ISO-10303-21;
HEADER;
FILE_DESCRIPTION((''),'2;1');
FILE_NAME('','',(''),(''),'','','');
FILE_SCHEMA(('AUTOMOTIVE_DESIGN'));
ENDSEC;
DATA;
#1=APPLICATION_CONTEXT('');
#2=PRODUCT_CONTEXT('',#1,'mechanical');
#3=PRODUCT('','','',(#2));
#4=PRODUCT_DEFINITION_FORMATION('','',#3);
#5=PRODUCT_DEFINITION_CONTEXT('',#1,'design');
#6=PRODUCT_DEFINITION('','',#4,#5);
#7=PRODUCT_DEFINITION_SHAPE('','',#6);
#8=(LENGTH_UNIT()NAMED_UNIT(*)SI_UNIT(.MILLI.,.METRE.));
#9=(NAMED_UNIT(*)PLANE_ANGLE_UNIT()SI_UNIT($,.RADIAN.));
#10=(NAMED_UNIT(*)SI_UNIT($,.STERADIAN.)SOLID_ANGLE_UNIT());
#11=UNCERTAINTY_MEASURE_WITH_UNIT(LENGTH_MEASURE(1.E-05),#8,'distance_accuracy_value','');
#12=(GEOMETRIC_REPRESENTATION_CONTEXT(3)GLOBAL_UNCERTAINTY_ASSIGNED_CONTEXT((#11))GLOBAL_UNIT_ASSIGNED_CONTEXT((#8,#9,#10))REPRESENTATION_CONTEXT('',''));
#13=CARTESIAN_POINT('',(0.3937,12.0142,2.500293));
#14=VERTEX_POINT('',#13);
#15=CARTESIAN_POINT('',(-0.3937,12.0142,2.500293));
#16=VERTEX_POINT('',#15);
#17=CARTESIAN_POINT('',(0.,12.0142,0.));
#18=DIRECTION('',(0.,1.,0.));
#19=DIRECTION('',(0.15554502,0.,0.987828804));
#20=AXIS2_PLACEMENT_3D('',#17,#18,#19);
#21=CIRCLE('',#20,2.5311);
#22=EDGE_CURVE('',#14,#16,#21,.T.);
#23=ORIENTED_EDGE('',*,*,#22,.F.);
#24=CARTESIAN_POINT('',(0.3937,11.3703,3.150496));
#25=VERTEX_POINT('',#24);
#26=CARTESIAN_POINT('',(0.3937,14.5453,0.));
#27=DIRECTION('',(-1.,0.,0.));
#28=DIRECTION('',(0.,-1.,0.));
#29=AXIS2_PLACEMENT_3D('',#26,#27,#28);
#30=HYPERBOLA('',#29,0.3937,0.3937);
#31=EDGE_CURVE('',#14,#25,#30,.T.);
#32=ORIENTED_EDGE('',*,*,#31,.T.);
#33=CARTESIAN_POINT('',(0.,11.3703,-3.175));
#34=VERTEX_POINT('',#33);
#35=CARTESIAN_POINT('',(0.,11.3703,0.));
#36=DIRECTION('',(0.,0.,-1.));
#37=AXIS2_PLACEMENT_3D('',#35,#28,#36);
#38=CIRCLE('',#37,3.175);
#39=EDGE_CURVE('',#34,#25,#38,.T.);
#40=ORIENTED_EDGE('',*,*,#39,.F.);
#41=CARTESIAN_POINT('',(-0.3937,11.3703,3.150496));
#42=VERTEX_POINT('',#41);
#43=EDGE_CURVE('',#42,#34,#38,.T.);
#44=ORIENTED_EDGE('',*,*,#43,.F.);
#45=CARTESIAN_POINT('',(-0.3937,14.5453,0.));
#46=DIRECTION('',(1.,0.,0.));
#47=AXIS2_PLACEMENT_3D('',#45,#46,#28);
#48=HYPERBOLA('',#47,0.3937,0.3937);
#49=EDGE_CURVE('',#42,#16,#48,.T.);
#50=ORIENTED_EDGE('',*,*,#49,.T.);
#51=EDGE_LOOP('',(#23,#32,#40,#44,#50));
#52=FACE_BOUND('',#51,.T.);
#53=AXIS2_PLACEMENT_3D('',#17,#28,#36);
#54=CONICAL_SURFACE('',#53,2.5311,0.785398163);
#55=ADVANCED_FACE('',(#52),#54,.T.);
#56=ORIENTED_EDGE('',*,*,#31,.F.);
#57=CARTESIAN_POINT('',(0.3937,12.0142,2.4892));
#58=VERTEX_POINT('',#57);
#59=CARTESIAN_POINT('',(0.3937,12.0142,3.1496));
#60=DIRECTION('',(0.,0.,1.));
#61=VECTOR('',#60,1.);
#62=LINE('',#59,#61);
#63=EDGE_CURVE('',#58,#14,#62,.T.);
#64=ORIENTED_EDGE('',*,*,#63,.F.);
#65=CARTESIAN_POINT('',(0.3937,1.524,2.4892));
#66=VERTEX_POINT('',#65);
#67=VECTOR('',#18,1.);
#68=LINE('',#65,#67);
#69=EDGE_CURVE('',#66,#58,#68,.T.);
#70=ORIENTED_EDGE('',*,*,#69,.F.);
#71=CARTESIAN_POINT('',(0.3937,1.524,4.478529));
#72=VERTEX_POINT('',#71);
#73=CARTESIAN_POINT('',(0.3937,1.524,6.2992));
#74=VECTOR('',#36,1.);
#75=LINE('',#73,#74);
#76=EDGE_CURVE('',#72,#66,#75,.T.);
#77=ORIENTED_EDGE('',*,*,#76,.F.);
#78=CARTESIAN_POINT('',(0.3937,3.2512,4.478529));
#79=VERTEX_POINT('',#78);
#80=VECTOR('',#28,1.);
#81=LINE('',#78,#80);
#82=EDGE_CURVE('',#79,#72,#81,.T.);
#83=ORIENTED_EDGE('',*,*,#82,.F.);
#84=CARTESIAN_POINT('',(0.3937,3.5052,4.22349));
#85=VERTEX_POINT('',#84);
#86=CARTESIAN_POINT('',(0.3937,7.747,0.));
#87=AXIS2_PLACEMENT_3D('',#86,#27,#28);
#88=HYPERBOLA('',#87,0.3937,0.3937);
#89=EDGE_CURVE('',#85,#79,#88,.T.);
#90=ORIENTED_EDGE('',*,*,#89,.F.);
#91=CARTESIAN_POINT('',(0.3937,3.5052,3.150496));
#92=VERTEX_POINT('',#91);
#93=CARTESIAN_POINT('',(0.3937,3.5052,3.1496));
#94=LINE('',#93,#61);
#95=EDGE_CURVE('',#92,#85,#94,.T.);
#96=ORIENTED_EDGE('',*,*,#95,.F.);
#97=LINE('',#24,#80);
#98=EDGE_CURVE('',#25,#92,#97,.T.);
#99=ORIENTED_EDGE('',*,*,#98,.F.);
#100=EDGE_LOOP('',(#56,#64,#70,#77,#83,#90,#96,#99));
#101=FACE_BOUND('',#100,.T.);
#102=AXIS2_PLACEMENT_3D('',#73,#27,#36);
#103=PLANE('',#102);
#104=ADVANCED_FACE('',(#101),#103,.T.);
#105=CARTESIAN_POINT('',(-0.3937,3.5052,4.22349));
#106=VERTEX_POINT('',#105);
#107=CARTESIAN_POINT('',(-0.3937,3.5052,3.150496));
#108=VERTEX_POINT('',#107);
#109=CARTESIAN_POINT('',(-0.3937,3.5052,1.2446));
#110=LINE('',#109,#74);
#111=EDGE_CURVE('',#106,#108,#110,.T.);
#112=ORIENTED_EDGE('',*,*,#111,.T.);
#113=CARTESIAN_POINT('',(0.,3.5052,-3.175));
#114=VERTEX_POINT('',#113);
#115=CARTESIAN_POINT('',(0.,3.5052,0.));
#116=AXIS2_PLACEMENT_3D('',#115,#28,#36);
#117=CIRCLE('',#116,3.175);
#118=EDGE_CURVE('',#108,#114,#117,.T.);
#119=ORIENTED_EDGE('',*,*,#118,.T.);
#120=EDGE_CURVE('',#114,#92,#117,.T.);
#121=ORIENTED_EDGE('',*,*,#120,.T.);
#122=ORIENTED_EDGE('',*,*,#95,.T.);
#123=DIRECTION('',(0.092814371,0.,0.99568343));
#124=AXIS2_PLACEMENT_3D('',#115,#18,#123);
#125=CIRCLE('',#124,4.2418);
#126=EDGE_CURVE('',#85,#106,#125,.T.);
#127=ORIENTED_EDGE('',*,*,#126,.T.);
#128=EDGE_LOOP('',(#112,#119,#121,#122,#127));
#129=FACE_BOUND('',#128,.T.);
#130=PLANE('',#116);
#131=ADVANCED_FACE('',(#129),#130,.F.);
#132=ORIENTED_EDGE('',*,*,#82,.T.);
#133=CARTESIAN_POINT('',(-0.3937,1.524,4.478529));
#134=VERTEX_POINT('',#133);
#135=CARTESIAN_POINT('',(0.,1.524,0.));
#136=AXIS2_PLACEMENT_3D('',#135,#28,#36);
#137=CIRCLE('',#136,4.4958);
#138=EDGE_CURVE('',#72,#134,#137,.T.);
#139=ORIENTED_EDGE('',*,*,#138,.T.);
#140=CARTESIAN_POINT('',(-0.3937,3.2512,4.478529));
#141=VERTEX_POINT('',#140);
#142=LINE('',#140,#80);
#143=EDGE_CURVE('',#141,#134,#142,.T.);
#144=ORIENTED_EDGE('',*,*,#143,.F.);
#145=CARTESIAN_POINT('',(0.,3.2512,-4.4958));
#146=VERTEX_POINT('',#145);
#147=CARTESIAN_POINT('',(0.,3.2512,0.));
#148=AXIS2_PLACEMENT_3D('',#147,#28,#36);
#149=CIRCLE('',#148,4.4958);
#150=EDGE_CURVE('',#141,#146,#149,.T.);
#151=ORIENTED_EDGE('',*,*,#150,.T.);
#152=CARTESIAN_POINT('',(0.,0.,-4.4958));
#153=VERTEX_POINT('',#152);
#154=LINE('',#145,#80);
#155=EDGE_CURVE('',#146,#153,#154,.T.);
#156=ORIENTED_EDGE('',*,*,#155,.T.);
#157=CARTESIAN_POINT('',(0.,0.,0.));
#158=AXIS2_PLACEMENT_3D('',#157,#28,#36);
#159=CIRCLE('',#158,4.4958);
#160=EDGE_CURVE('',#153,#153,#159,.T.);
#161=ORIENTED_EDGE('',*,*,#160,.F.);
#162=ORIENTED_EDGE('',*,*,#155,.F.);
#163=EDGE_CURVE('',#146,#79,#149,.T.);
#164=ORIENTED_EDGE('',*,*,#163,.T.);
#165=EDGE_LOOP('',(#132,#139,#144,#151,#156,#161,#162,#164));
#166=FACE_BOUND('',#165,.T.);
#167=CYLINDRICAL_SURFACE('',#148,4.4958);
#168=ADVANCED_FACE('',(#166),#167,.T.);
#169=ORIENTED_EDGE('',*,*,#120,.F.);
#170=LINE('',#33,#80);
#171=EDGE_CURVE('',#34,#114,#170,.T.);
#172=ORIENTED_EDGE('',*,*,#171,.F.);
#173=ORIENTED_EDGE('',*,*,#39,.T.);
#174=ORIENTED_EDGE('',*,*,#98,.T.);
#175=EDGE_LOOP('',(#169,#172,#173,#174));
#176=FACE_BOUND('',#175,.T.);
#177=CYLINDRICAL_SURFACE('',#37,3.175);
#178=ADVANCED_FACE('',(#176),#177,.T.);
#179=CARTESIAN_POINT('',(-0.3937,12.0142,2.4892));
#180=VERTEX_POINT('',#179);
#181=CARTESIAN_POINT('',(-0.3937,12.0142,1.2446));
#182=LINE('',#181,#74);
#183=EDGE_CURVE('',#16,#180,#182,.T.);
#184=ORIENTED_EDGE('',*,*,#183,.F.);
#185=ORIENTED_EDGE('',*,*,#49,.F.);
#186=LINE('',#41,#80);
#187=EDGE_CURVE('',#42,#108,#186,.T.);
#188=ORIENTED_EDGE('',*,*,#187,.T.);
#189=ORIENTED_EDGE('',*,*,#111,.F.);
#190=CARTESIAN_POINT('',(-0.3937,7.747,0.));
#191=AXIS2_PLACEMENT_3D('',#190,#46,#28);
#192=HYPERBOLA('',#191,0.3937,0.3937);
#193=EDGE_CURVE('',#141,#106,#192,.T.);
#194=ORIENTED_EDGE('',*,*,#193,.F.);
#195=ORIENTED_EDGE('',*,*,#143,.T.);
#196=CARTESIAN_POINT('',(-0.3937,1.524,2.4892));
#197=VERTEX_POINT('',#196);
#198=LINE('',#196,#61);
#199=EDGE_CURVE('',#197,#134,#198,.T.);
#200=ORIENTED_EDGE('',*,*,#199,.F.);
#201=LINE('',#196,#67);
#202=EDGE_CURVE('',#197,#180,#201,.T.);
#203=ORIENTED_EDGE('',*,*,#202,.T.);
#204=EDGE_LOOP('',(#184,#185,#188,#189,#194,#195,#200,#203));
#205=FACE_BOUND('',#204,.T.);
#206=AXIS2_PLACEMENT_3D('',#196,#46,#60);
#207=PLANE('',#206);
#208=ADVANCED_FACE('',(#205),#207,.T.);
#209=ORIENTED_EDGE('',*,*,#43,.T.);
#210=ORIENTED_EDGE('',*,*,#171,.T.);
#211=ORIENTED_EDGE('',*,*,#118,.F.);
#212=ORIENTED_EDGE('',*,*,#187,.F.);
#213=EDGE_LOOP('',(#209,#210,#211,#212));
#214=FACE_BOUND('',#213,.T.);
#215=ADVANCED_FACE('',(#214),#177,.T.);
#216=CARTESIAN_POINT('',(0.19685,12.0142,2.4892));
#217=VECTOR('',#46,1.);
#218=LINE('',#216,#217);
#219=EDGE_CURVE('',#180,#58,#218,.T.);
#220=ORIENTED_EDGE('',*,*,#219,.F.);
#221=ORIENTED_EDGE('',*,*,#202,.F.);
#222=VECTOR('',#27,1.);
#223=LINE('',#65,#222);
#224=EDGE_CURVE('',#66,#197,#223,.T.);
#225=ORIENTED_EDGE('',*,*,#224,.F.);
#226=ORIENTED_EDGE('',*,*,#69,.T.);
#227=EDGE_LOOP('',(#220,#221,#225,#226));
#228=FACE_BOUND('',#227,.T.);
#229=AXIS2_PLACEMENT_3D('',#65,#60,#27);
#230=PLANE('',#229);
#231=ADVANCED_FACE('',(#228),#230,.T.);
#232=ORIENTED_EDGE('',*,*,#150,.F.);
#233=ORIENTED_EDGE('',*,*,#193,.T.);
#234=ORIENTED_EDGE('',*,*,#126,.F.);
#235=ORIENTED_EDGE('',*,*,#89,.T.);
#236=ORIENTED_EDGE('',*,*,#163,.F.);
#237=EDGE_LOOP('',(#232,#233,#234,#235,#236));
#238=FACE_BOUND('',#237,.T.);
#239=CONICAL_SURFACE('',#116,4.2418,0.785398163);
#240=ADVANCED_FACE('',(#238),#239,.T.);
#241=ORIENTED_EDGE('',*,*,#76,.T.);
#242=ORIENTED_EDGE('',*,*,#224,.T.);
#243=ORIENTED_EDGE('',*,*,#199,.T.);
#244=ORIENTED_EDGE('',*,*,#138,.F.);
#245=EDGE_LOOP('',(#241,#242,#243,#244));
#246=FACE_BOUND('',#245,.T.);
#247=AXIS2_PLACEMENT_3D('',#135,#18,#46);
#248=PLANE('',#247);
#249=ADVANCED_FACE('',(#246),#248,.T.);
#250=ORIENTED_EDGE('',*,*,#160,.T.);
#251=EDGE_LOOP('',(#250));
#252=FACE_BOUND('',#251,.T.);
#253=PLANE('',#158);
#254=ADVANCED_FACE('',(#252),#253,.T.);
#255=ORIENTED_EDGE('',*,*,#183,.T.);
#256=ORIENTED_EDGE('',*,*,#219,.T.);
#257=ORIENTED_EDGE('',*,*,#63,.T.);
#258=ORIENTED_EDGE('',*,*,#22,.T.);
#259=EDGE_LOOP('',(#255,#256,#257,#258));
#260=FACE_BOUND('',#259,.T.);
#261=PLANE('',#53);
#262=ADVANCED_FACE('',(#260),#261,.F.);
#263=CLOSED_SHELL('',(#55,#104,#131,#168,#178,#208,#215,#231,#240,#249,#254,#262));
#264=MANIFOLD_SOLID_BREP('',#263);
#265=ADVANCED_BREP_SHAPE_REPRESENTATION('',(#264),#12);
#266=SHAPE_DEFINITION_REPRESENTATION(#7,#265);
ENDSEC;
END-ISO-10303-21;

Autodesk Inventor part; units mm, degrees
sketch "Sketch_1" plane through (0, 0, 0) normal (1, 0, 0) x (0, 1, 0)
  line L0 (0, 0) -> (12.0142, 0)
  line L1 (12.0142, 0) -> (12.0142, -2.5311)
  line L2 (12.0142, -2.5311) -> (11.3703, -3.175)
  line L3 (11.3703, -3.175) -> (3.5052, -3.175)
  line L4 (3.5052, -3.175) -> (3.5052, -4.2418)
  line L5 (3.5052, -4.2418) -> (3.2512, -4.4958)
  line L6 (3.2512, -4.4958) -> (0, -4.4958)
  line L7 (0, -4.4958) -> (0, 0)
  line L8 (0, 0) -> (12.0142, 0)
revolve "Revolution1" add sketch "Sketch_1" angle 360 about axis through (0, 0, 0) along (0, -1, 0)
thread "Thread1" size "1/4-24 UNS" class "2A" standard "ANSI Unified Screw Threads" full length
sketch "Sketch_3" plane through (0, 1.524, 0) normal (0, 1, 0) x (1, 0, 0)
  line L0 (-0.3937, -2.4892) -> (-0.3937, -6.2992)
  line L1 (-0.3937, -6.2992) -> (0.3937, -6.2992)
  line L2 (0.3937, -6.2992) -> (0.3937, -2.4892)
  line L3 (0.3937, -2.4892) -> (-0.3937, -2.4892)
extrude "Extrusion1" cut sketch "Sketch_3" along normal blind 12.192
ref_plane "at507_XY" through (0, 5.3975, 0) normal (0, -1, 0) x (1, 0, 0)
ref_plane "at507_YZ" through (0, 5.3975, 0) normal (1, 0, 0) x (0, 0, 1)
ref_plane "at507_ZX" through (0, 5.3975, 0) normal (0, 0, 1) x (0, -1, 0)
ref_plane "at513_XY" through (0, 3.5052, 0) normal (0, 1, 0) x (1, 0, 0)
ref_plane "at513_YZ" through (0, 3.5052, 0) normal (1, 0, 0) x (0, 0, -1)
ref_plane "at513_ZX" through (0, 3.5052, 0) normal (0, 0, -1) x (0, 1, 0)
ref_plane "at516_XY" through (0, 5.7912, 0) normal (0, 1, 0) x (1, 0, 0)
ref_plane "at516_YZ" through (0, 5.7912, 0) normal (1, 0, 0) x (0, 0, -1)
ref_plane "at516_ZX" through (0, 5.7912, 0) normal (0, 0, -1) x (0, 1, 0)
ref_plane "to_at509_XY" through (0, 5.7785, 0) normal (0, 1, 0) x (1, 0, 0)
ref_plane "to_at509_YZ" through (0, 5.7785, 0) normal (1, 0, 0) x (0, 0, -1)
ref_plane "to_at509_ZX" through (0, 5.7785, 0) normal (0, 0, -1) x (0, 1, 0)
ref_plane "to_at513_1_XY" through (0, 6.2865, 0) normal (0, 1, 0) x (1, 0, 0)
ref_plane "to_at513_1_YZ" through (0, 6.2865, 0) normal (1, 0, 0) x (0, 0, -1)
ref_plane "to_at513_1_ZX" through (0, 6.2865, 0) normal (0, 0, -1) x (0, 1, 0)
ref_plane "to_bodycover_XY" through (0, 0, 0) normal (0, 1, 0) x (1, 0, 0)
ref_plane "to_bodycover_YZ" through (0, 0, 0) normal (1, 0, 0) x (0, 0, -1)
ref_plane "to_bodycover_ZX" through (0, 0, 0) normal (0, 0, -1) x (0, 1, 0)
ref_plane "to_plunger_XY" through (0, 12.0142, 0) normal (0, -1, 0) x (1, 0, 0)
ref_plane "to_plunger_YZ" through (0, 12.0142, 0) normal (1, 0, 0) x (0, 0, 1)
ref_plane "to_plunger_ZX" through (0, 12.0142, 0) normal (0, 0, 1) x (0, -1, 0)
properties part number "MBS1-bushings"
